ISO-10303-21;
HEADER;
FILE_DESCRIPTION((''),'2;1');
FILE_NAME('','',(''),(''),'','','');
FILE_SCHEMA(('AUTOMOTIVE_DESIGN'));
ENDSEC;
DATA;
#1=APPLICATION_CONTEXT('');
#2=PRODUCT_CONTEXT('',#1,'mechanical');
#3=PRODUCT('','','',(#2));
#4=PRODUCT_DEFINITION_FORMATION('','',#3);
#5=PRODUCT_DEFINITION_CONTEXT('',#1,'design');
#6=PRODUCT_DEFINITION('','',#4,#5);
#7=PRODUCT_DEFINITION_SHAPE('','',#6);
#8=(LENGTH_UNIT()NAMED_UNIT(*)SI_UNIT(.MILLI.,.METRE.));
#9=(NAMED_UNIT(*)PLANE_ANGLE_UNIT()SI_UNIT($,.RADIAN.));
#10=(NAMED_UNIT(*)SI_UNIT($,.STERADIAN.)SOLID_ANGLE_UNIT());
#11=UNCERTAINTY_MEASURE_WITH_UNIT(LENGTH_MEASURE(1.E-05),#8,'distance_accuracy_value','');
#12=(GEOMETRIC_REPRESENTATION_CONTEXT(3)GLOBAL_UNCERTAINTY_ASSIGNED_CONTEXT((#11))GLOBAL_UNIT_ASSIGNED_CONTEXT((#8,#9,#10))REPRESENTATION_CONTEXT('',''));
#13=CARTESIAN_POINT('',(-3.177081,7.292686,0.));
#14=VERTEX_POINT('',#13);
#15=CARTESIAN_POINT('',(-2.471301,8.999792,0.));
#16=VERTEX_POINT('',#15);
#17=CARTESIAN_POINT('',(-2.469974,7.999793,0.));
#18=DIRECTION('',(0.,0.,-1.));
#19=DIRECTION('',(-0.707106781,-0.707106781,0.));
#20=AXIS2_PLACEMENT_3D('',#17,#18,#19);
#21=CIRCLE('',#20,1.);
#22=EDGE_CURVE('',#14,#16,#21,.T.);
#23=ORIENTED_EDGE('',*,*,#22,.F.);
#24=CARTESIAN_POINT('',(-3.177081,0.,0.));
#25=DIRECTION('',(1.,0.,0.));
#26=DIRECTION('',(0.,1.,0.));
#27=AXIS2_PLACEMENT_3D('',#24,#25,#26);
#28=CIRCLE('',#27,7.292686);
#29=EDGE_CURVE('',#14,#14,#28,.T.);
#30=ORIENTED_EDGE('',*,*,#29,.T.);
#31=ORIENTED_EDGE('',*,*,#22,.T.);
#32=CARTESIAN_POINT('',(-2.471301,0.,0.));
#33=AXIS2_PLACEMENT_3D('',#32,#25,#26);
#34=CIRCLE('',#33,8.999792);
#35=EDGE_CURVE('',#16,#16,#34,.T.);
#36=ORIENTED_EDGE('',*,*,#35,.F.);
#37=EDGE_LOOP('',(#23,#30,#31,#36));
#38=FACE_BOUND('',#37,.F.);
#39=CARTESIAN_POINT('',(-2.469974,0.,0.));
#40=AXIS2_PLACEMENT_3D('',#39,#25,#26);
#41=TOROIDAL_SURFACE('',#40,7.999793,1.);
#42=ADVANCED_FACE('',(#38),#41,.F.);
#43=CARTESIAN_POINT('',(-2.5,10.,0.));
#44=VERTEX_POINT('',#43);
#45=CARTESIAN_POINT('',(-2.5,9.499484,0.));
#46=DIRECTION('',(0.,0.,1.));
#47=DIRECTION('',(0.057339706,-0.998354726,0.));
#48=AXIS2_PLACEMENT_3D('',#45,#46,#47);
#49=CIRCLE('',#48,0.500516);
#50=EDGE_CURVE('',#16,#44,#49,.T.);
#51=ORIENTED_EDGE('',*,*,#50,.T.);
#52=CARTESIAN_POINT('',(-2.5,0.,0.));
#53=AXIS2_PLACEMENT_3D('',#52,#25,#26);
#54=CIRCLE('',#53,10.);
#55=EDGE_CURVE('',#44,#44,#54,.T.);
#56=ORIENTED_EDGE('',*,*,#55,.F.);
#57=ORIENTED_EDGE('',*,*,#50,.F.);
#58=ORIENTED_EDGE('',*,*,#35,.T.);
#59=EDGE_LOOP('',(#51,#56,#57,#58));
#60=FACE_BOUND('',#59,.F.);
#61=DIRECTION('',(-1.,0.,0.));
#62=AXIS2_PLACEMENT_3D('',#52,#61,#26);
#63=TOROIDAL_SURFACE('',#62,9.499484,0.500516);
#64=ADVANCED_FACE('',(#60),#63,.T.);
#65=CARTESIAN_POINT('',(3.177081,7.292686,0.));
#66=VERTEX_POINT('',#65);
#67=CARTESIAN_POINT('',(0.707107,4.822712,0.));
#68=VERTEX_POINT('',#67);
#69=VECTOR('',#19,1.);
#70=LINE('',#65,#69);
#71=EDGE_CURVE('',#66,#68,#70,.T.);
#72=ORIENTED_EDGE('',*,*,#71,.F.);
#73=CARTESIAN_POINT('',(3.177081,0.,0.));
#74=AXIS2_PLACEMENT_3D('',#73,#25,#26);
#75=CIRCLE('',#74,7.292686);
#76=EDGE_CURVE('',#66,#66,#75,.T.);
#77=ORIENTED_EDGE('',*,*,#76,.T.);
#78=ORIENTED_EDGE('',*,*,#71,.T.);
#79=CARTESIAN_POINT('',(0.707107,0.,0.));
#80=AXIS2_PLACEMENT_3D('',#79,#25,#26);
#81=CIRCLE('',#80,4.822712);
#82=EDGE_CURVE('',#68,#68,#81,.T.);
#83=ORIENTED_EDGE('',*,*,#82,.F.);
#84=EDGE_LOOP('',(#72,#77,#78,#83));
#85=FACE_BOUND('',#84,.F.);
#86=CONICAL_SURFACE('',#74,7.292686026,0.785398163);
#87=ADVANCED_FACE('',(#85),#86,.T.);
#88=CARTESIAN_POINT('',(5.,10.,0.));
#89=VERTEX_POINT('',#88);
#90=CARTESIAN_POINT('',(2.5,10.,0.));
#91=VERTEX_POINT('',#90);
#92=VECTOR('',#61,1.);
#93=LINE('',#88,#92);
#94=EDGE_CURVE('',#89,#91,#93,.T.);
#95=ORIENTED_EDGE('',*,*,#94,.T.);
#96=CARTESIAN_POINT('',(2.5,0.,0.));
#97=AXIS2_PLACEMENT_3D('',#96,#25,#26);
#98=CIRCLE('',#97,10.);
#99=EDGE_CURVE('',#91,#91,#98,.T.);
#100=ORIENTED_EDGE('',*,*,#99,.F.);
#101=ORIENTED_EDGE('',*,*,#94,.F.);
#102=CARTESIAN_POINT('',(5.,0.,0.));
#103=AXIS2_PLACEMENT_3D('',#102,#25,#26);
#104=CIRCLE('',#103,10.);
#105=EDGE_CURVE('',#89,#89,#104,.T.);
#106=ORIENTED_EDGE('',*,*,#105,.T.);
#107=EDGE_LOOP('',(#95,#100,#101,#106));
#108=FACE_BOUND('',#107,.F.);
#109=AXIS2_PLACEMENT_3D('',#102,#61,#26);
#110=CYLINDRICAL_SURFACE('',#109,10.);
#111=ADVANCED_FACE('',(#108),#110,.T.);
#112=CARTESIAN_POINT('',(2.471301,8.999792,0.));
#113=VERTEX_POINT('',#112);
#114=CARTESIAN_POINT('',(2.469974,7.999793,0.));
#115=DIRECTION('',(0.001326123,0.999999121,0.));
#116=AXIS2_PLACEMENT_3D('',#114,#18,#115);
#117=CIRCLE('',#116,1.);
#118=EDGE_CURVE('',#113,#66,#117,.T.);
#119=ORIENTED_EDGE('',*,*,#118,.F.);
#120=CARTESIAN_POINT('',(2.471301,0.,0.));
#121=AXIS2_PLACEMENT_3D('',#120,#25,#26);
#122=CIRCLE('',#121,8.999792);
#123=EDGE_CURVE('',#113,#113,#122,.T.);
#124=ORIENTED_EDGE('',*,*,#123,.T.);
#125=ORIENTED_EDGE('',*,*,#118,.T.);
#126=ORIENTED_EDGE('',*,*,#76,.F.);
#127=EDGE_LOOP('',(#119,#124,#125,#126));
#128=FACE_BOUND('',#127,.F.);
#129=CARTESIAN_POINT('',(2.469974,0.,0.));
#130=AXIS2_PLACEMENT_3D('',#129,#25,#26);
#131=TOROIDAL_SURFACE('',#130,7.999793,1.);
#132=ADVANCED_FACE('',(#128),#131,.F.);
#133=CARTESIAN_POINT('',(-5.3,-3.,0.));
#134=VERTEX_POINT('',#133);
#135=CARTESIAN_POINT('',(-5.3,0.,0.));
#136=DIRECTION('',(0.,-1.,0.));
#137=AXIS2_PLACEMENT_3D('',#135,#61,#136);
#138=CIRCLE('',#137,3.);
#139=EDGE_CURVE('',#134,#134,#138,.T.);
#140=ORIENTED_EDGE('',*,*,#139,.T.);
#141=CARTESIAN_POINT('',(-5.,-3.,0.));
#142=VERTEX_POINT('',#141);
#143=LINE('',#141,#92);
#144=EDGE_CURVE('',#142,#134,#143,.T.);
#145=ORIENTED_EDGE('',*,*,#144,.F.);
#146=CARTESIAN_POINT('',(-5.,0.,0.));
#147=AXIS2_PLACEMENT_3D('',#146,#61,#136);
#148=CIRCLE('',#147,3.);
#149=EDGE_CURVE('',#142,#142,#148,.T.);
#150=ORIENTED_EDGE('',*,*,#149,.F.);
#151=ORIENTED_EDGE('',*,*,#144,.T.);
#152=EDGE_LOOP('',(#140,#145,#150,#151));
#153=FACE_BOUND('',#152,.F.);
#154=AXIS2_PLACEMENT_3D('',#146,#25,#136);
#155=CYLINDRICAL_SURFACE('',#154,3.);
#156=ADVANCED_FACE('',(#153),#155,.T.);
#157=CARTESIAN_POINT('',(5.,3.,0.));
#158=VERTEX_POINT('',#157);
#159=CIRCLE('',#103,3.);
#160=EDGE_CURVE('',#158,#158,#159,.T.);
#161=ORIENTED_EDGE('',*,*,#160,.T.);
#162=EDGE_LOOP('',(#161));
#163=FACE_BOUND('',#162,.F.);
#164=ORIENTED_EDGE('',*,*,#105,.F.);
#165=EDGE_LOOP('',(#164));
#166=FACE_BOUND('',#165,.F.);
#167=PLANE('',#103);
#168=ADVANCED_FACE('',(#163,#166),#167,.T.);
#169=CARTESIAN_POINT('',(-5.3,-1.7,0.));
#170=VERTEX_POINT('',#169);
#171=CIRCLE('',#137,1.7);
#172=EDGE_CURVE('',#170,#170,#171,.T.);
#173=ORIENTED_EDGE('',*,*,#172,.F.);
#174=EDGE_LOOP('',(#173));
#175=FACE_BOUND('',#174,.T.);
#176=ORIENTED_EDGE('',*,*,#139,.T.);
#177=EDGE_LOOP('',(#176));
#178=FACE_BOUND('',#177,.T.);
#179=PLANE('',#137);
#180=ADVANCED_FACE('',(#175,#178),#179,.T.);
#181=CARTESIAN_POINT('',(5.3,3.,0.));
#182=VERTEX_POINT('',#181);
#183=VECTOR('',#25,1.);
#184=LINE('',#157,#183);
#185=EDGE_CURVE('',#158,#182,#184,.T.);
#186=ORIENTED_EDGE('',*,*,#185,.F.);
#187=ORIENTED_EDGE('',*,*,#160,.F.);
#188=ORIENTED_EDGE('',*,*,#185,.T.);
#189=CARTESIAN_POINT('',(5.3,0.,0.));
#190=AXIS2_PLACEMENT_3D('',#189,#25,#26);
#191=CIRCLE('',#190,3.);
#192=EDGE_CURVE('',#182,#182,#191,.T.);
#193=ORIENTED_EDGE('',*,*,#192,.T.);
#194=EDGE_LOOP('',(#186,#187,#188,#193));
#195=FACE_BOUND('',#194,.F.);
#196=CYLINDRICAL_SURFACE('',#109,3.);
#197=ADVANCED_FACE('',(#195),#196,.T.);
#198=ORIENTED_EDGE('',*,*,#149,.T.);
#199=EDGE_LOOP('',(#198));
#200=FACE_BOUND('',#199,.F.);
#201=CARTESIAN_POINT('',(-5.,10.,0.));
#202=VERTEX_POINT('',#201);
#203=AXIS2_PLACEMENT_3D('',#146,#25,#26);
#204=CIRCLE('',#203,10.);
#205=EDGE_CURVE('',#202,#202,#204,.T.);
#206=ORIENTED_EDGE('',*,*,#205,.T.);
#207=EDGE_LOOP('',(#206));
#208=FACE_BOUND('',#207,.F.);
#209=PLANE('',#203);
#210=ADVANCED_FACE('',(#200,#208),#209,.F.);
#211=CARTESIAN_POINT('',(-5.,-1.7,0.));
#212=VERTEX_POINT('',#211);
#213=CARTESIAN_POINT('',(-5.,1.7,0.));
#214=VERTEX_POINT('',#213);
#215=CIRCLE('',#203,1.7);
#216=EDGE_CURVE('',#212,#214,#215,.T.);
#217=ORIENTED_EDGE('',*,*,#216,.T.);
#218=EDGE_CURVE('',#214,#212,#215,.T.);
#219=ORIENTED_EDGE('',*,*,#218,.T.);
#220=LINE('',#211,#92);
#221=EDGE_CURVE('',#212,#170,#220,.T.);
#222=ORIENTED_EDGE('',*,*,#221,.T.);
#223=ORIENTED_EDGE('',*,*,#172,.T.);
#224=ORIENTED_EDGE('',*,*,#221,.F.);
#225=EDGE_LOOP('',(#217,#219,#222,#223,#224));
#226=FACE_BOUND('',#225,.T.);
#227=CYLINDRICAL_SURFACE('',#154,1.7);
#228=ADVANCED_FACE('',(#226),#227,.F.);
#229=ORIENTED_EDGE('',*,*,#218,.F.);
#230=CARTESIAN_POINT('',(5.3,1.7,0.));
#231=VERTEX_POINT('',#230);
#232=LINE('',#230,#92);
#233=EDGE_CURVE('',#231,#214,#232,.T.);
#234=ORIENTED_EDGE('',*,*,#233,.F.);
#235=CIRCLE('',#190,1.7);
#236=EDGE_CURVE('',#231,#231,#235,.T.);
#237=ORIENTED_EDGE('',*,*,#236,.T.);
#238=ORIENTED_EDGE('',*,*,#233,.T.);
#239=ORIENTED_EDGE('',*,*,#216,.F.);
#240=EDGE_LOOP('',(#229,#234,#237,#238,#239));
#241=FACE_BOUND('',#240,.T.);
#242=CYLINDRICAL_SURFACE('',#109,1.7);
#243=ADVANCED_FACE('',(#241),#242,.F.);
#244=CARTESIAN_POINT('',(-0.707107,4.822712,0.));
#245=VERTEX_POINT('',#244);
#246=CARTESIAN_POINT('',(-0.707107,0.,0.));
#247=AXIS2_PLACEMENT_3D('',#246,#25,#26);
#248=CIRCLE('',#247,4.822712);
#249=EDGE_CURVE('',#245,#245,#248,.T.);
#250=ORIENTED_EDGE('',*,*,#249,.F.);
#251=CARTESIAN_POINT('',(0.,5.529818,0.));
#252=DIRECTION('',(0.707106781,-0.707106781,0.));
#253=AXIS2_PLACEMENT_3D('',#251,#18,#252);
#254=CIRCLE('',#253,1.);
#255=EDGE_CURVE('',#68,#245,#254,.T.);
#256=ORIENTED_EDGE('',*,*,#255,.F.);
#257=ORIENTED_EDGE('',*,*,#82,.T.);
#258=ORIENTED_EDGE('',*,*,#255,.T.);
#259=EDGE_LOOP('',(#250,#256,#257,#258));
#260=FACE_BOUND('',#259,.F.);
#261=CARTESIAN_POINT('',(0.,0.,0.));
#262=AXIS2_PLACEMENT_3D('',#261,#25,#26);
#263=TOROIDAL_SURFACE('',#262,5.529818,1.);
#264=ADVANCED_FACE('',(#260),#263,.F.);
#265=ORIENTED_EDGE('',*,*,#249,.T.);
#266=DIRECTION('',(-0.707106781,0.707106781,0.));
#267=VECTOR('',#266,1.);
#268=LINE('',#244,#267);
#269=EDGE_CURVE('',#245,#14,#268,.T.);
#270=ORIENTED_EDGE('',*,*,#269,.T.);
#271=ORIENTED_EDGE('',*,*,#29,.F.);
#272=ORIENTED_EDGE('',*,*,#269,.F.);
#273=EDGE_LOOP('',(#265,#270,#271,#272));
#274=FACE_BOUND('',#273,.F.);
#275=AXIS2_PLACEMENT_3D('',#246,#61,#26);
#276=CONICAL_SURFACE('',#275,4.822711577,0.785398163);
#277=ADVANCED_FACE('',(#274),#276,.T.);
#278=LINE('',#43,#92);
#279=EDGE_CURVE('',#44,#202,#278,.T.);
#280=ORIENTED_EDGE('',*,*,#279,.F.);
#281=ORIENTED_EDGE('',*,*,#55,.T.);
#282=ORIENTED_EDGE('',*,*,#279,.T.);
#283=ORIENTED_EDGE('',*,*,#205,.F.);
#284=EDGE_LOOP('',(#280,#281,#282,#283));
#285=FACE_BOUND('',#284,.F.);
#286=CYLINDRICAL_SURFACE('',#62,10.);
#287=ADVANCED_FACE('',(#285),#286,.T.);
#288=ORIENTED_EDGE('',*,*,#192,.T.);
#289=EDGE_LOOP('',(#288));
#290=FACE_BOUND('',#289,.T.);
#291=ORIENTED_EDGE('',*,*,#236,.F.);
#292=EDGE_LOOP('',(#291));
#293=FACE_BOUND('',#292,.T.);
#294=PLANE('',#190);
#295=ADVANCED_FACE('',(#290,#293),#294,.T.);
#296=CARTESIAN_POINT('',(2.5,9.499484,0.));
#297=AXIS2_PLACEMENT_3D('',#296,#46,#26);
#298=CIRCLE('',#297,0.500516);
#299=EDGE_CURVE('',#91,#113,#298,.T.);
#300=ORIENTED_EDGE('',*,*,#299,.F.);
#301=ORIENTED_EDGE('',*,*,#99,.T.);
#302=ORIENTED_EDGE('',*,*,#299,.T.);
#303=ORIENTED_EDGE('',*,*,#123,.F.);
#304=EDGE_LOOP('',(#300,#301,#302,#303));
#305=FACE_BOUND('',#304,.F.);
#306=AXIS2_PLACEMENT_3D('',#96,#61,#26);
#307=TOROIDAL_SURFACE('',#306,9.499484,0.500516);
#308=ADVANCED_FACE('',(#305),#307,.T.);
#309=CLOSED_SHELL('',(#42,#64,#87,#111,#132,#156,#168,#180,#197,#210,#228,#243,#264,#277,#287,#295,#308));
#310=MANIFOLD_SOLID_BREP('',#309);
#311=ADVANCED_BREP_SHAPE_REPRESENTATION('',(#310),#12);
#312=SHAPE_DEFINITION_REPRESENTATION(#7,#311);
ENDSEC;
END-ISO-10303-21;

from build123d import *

# Parameters (mm, degrees)
F3_ANGLE = 90
F4_R     = 3
F4_R_2   = 1.7
F5_DEPTH = 0.3
F6_R     = 3
F6_R_2   = 1.7
F7_DEPTH = 0.3


with BuildPart() as f2:
    # F0 (on Front) → F2 (revolve)
    with BuildSketch(Plane.XZ):
        with BuildLine():
            Line((-5, 10), (-5, 1.7))
            Line((-5, 1.7), (0, 1.7))
            Line((0, 1.7), (5, 1.7))
            Line((5, 1.7), (5, 10))
            Line((5, 10), (2.5, 10))
            ThreePointArc((2.5, 10), (1.9996901347, 9.5138398406), (2.4713005726, 8.9997919276))
            ThreePointArc((2.4713005726, 8.9997919276), (3.3941075213, 8.3818635658), (3.1770812302, 7.2926860258))
            Line((3.1770812302, 7.2926860258), (0.7071067812, 4.8227115767))
            ThreePointArc((0.7071067812, 4.8227115767), (0, 4.5298183579), (-0.7071067812, 4.8227115767))
            Line((-0.7071067812, 4.8227115767), (-3.1770812302, 7.2926860258))
            ThreePointArc((-3.1770812302, 7.2926860258), (-3.3941075213, 8.3818635658), (-2.4713005726, 8.9997919276))
            ThreePointArc((-2.4713005726, 8.9997919276), (-1.9996901347, 9.5138398406), (-2.5, 10))
            Line((-2.5, 10), (-5, 10))
        make_face()
    revolve(axis=Axis((0, 0, 0), (1, 0, 0)))


with BuildPart() as f2_1:
    # F3: moved
    add(f2.part.rotate(Axis((-13.5274957865, 0, 0), (-1, 0, 0)), F3_ANGLE))

    # F4 (on face) → F5 (join)
    with BuildSketch(Plane.YZ.offset(5)):
        Circle(F4_R)
        Circle(F4_R_2, mode=Mode.SUBTRACT)
    extrude(amount=F5_DEPTH)

    # F6 (on face) → F7 (join)
    with BuildSketch(Plane(origin=(-5, 0, 0), x_dir=(0, -1, 0), z_dir=(-1, 0, 0))):
        Circle(F6_R)
        Circle(F6_R_2, mode=Mode.SUBTRACT)
    extrude(amount=F7_DEPTH)


solid = f2_1.part
